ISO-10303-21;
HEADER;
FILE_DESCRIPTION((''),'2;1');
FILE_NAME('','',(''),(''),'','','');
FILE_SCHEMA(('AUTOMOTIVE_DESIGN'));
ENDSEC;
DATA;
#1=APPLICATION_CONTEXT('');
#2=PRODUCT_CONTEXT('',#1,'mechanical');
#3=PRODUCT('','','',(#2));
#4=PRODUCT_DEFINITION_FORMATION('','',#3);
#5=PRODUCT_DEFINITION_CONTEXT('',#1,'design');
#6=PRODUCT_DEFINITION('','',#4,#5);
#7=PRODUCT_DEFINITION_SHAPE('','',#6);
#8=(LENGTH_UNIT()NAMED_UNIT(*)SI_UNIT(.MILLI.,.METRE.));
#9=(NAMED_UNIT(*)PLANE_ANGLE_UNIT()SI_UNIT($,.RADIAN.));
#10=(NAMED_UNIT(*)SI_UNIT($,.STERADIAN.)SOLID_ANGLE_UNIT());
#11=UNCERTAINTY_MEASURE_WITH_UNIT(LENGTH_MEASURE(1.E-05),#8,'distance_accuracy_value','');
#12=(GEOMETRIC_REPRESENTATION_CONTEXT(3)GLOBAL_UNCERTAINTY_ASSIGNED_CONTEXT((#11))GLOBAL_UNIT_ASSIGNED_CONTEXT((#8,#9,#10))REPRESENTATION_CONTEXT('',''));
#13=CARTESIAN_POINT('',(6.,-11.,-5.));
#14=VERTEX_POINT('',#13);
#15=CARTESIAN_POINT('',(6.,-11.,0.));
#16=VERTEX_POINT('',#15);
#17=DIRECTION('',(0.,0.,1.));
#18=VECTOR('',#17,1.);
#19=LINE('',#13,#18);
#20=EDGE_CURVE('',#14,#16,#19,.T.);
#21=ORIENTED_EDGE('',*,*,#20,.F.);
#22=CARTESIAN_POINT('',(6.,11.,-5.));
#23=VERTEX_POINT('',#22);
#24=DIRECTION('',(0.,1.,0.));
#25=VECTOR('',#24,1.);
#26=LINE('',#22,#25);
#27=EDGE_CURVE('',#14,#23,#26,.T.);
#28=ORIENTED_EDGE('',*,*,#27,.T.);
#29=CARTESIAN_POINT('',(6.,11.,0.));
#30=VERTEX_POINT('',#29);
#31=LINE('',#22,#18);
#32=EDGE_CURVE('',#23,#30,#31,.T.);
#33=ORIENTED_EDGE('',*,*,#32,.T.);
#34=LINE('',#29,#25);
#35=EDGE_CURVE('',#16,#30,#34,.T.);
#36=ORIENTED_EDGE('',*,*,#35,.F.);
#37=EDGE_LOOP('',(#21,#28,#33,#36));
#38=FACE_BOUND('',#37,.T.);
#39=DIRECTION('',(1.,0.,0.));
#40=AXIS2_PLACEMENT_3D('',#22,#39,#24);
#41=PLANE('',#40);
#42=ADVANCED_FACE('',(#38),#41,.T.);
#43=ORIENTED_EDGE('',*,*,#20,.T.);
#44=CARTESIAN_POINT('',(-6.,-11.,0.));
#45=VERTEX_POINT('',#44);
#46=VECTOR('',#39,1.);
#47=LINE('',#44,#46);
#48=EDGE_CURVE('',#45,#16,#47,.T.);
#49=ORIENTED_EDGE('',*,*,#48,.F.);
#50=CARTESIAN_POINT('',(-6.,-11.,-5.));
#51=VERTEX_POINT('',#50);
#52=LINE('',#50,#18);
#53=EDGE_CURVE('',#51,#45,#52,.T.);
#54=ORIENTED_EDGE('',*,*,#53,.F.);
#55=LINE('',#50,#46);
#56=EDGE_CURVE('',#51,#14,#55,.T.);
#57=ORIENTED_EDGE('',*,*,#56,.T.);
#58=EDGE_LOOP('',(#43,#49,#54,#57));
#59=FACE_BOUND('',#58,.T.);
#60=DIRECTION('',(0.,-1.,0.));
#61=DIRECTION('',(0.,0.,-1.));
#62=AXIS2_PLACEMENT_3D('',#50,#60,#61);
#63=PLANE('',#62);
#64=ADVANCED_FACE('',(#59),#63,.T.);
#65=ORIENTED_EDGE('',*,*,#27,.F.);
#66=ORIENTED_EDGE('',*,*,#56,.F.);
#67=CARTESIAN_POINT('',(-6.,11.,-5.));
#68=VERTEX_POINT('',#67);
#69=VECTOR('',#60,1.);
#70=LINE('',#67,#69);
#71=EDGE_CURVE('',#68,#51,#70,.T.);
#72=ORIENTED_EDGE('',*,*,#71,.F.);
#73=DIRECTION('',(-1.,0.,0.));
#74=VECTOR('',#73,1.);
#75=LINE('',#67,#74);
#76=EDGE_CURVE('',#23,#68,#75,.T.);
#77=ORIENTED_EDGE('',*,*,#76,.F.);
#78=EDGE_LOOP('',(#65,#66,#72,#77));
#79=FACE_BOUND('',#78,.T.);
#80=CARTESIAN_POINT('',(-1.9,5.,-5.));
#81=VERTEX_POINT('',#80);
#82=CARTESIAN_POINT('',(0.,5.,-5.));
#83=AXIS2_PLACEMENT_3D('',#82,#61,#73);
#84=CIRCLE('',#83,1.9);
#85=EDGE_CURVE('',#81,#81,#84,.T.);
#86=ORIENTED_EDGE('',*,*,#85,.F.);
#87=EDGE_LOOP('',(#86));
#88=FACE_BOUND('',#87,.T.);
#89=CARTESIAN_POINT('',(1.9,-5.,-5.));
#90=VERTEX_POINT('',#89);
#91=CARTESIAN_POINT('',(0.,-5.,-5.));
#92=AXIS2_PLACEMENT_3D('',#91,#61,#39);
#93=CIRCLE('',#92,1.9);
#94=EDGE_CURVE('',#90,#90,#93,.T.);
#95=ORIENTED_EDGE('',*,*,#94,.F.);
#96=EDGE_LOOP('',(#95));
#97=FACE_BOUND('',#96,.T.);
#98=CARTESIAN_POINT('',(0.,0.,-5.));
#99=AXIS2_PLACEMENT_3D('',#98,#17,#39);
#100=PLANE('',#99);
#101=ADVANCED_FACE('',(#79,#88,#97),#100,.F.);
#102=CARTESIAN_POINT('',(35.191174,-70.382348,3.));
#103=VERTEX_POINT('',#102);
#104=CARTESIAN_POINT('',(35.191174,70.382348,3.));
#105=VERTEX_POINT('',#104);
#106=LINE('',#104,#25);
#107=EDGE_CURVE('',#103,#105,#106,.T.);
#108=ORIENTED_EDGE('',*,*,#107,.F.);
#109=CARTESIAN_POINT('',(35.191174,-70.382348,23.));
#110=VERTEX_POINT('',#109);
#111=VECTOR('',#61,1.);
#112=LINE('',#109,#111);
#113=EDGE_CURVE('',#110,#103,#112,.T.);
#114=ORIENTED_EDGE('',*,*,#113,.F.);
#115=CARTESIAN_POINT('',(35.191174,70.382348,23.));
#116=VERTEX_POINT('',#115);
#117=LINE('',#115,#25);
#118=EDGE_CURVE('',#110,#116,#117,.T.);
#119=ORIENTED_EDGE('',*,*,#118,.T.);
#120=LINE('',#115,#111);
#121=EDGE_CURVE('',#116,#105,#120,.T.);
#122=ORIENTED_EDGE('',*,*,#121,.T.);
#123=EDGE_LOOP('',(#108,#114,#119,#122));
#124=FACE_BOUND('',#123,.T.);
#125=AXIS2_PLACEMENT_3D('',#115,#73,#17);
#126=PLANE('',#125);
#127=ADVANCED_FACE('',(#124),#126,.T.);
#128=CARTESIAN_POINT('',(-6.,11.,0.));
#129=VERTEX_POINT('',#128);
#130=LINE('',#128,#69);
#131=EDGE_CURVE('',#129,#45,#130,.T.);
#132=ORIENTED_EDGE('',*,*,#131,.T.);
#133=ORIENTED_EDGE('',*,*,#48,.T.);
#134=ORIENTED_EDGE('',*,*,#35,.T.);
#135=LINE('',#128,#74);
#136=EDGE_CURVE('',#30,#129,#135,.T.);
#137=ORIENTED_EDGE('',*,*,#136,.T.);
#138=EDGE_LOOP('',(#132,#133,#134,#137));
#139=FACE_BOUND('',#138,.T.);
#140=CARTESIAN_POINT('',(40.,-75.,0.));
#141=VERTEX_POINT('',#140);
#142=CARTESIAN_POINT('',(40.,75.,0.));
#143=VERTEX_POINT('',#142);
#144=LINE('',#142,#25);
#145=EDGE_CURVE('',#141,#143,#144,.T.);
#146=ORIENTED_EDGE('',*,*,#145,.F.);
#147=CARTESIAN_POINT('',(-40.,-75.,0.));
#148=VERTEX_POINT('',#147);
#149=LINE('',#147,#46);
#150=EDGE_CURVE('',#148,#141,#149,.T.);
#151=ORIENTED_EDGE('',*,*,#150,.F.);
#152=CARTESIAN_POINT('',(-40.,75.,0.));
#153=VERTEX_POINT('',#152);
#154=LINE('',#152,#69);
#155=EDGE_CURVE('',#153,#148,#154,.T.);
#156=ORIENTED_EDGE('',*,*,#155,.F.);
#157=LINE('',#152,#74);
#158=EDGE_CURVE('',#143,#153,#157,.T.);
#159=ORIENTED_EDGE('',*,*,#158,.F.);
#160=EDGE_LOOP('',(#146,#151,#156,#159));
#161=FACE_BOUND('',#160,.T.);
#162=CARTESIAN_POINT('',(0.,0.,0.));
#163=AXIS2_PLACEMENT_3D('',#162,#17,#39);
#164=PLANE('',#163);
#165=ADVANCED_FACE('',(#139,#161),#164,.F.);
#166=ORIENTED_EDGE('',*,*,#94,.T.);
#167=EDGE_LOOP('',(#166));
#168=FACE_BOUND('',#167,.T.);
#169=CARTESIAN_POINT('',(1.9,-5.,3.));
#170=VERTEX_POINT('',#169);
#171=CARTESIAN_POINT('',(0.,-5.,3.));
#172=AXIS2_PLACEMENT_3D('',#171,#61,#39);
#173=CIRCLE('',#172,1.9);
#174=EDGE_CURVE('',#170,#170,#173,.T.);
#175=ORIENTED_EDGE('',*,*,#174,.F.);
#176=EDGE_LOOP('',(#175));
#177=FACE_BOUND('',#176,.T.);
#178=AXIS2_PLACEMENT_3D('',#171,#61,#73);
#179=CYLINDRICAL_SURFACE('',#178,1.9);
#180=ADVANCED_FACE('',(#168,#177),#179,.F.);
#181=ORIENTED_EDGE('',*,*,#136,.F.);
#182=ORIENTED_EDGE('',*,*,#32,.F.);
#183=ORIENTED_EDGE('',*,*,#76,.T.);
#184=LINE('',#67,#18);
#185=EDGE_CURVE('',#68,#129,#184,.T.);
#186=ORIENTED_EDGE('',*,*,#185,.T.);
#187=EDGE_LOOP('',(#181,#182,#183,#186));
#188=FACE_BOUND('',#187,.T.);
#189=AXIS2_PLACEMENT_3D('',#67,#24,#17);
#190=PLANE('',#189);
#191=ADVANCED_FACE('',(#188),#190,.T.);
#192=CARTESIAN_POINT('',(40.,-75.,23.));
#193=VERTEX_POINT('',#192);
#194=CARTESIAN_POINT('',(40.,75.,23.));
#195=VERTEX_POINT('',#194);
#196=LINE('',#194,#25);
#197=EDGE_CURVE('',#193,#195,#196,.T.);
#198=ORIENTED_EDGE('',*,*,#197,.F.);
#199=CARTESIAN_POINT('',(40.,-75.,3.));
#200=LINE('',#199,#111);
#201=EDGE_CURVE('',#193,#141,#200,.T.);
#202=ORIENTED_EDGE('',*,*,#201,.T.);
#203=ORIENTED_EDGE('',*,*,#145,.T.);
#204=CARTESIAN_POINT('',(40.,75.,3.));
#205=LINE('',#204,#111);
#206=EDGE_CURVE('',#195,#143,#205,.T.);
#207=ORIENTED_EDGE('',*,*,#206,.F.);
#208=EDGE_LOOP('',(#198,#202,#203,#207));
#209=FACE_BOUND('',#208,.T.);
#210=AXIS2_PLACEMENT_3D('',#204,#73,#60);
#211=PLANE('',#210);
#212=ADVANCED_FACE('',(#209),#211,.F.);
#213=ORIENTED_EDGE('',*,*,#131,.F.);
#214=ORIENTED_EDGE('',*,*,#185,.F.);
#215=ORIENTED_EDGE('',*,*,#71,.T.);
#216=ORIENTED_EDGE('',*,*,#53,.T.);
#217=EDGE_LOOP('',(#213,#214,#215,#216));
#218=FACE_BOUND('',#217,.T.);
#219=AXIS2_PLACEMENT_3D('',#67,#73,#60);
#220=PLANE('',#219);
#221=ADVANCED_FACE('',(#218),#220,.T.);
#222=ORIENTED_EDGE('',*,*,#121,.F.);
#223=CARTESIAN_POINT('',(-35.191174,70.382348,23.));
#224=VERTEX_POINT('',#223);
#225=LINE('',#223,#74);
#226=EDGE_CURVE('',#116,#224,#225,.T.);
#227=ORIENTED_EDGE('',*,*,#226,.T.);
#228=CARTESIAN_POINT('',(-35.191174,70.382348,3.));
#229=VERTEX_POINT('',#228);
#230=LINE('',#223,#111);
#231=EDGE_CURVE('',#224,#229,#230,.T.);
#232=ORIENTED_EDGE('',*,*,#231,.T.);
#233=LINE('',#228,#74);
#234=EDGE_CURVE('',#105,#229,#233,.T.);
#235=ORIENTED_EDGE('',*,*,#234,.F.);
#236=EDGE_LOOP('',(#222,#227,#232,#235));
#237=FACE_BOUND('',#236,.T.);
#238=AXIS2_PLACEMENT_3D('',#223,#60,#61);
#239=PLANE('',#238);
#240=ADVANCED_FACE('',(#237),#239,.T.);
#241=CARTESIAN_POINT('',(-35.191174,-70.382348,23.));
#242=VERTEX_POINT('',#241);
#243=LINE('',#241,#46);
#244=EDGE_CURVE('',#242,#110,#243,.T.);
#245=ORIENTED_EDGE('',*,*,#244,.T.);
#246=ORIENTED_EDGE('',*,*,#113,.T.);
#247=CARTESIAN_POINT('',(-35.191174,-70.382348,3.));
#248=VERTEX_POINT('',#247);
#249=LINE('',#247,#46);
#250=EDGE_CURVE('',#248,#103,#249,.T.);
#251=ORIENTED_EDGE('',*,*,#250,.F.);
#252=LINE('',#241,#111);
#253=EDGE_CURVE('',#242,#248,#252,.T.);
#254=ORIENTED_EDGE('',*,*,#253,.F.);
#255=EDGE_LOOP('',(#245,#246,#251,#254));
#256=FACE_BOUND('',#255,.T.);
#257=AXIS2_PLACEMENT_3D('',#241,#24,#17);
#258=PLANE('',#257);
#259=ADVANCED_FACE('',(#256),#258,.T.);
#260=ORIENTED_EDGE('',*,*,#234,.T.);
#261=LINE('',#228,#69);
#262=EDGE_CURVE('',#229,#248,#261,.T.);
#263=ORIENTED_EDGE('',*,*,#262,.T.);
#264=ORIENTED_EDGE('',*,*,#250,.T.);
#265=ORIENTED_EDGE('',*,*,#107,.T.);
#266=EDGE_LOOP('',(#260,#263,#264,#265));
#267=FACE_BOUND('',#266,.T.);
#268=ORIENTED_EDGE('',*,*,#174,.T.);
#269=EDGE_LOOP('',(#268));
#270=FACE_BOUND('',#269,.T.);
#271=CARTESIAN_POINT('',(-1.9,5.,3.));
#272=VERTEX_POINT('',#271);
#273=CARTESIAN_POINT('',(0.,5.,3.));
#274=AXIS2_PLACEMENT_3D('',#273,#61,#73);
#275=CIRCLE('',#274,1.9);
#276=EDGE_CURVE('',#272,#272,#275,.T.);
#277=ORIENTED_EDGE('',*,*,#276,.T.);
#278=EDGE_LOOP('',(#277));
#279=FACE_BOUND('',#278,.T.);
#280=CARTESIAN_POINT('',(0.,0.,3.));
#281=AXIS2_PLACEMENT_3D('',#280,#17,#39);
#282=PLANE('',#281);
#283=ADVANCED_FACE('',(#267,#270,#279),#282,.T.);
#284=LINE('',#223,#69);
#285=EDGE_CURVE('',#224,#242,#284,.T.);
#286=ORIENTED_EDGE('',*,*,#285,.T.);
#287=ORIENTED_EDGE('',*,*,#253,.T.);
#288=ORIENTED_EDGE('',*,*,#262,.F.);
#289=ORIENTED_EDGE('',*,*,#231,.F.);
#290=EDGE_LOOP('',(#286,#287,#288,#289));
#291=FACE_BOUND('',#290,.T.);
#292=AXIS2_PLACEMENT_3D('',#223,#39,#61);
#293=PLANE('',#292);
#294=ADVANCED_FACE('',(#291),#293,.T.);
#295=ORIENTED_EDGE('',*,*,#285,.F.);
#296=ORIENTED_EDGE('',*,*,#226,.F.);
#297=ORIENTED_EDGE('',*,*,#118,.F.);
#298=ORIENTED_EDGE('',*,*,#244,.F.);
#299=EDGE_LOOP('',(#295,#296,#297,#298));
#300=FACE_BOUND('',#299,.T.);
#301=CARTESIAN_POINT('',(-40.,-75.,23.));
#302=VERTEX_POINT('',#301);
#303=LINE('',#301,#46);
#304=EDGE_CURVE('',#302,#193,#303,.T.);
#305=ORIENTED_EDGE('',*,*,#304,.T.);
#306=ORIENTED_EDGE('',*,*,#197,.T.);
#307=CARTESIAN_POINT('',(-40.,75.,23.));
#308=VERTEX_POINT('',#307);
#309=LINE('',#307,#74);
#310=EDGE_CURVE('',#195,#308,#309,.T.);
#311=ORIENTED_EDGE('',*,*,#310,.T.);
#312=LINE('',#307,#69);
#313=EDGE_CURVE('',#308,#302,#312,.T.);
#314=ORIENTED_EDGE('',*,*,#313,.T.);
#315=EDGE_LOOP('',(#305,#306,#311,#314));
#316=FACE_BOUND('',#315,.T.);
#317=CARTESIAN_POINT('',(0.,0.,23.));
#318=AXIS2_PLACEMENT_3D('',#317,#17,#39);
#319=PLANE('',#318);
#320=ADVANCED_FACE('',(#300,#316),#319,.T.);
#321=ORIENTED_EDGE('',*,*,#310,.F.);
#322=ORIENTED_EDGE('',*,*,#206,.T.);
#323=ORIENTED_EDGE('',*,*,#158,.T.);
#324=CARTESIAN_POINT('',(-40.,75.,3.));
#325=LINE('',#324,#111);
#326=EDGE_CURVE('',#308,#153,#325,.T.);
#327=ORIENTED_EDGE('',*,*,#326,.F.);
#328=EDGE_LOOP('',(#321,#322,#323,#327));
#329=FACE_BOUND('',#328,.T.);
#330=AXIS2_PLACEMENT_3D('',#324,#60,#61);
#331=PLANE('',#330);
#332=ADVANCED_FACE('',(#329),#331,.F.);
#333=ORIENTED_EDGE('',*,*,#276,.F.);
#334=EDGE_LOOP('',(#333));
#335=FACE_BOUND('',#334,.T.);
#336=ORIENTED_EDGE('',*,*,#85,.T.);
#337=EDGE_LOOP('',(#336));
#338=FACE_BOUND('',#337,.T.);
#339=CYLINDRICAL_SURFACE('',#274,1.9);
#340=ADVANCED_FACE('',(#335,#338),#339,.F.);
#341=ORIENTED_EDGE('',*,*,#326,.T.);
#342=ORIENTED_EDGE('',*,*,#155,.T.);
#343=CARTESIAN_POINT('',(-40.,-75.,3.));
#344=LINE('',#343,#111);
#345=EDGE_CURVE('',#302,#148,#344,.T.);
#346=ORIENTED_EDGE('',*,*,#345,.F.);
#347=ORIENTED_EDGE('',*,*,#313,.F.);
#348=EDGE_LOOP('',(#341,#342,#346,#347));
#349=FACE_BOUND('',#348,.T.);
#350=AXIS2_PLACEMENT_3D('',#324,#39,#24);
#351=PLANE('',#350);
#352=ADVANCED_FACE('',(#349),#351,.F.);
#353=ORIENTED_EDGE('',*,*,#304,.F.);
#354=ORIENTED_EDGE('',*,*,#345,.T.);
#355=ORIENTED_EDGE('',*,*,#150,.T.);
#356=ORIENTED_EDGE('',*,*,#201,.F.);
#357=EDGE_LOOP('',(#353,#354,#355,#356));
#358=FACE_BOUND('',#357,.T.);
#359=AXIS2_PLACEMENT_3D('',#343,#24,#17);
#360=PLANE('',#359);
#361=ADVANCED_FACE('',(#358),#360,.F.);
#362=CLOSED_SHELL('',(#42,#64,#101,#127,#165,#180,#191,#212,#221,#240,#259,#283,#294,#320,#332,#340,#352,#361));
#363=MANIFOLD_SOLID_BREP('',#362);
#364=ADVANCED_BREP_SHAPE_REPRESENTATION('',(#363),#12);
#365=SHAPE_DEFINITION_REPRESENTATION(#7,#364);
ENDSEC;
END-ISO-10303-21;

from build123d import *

# Parameters (mm, degrees)
SKETCH_1_W          = 80
SKETCH_1_H          = 150
EXTRUDE_1_DEPTH     = 3
SKETCH_2_W          = 12
SKETCH_2_H          = 22
EXTRUDE_2_DEPTH     = 5
SKETCH_3_R          = 1.9
CUT_EXTRUDE_1_DEPTH = 86.375640554
SKETCH_4_W          = 80
SKETCH_4_H          = 150
SKETCH_4_W_2        = 70.382347564
SKETCH_4_H_2        = 140.764695128
EXTRUDE_3_DEPTH     = 20


with BuildPart() as part:
    # 스케치1 → 보스-돌출1 (new body)
    with BuildSketch(Plane.XY):
        Rectangle(SKETCH_1_W, SKETCH_1_H)
    extrude(amount=EXTRUDE_1_DEPTH)

    # 스케치2 → 보스-돌출2 (add)
    with BuildSketch(Plane.XY):
        Rectangle(SKETCH_2_W, SKETCH_2_H)
    extrude(amount=-EXTRUDE_2_DEPTH)

    # 스케치3 → 컷-돌출1 (cut, through all)
    with BuildSketch(Plane(origin=(0, 0, -5), x_dir=(-1, 0, 0), z_dir=(0, 0, -1))):
        with Locations((0, 5)):
            Circle(SKETCH_3_R)
        with Locations(Location((0, -5, 0), (0, 0, 180))):
            Circle(SKETCH_3_R)
    extrude(amount=-CUT_EXTRUDE_1_DEPTH, mode=Mode.SUBTRACT)

    # 스케치4 → 보스-돌출3 (add)
    with BuildSketch(Plane.XY.offset(3)):
        Rectangle(SKETCH_4_W, SKETCH_4_H)
        Rectangle(SKETCH_4_W_2, SKETCH_4_H_2, mode=Mode.SUBTRACT)
    extrude(amount=EXTRUDE_3_DEPTH)


solid = part.part
